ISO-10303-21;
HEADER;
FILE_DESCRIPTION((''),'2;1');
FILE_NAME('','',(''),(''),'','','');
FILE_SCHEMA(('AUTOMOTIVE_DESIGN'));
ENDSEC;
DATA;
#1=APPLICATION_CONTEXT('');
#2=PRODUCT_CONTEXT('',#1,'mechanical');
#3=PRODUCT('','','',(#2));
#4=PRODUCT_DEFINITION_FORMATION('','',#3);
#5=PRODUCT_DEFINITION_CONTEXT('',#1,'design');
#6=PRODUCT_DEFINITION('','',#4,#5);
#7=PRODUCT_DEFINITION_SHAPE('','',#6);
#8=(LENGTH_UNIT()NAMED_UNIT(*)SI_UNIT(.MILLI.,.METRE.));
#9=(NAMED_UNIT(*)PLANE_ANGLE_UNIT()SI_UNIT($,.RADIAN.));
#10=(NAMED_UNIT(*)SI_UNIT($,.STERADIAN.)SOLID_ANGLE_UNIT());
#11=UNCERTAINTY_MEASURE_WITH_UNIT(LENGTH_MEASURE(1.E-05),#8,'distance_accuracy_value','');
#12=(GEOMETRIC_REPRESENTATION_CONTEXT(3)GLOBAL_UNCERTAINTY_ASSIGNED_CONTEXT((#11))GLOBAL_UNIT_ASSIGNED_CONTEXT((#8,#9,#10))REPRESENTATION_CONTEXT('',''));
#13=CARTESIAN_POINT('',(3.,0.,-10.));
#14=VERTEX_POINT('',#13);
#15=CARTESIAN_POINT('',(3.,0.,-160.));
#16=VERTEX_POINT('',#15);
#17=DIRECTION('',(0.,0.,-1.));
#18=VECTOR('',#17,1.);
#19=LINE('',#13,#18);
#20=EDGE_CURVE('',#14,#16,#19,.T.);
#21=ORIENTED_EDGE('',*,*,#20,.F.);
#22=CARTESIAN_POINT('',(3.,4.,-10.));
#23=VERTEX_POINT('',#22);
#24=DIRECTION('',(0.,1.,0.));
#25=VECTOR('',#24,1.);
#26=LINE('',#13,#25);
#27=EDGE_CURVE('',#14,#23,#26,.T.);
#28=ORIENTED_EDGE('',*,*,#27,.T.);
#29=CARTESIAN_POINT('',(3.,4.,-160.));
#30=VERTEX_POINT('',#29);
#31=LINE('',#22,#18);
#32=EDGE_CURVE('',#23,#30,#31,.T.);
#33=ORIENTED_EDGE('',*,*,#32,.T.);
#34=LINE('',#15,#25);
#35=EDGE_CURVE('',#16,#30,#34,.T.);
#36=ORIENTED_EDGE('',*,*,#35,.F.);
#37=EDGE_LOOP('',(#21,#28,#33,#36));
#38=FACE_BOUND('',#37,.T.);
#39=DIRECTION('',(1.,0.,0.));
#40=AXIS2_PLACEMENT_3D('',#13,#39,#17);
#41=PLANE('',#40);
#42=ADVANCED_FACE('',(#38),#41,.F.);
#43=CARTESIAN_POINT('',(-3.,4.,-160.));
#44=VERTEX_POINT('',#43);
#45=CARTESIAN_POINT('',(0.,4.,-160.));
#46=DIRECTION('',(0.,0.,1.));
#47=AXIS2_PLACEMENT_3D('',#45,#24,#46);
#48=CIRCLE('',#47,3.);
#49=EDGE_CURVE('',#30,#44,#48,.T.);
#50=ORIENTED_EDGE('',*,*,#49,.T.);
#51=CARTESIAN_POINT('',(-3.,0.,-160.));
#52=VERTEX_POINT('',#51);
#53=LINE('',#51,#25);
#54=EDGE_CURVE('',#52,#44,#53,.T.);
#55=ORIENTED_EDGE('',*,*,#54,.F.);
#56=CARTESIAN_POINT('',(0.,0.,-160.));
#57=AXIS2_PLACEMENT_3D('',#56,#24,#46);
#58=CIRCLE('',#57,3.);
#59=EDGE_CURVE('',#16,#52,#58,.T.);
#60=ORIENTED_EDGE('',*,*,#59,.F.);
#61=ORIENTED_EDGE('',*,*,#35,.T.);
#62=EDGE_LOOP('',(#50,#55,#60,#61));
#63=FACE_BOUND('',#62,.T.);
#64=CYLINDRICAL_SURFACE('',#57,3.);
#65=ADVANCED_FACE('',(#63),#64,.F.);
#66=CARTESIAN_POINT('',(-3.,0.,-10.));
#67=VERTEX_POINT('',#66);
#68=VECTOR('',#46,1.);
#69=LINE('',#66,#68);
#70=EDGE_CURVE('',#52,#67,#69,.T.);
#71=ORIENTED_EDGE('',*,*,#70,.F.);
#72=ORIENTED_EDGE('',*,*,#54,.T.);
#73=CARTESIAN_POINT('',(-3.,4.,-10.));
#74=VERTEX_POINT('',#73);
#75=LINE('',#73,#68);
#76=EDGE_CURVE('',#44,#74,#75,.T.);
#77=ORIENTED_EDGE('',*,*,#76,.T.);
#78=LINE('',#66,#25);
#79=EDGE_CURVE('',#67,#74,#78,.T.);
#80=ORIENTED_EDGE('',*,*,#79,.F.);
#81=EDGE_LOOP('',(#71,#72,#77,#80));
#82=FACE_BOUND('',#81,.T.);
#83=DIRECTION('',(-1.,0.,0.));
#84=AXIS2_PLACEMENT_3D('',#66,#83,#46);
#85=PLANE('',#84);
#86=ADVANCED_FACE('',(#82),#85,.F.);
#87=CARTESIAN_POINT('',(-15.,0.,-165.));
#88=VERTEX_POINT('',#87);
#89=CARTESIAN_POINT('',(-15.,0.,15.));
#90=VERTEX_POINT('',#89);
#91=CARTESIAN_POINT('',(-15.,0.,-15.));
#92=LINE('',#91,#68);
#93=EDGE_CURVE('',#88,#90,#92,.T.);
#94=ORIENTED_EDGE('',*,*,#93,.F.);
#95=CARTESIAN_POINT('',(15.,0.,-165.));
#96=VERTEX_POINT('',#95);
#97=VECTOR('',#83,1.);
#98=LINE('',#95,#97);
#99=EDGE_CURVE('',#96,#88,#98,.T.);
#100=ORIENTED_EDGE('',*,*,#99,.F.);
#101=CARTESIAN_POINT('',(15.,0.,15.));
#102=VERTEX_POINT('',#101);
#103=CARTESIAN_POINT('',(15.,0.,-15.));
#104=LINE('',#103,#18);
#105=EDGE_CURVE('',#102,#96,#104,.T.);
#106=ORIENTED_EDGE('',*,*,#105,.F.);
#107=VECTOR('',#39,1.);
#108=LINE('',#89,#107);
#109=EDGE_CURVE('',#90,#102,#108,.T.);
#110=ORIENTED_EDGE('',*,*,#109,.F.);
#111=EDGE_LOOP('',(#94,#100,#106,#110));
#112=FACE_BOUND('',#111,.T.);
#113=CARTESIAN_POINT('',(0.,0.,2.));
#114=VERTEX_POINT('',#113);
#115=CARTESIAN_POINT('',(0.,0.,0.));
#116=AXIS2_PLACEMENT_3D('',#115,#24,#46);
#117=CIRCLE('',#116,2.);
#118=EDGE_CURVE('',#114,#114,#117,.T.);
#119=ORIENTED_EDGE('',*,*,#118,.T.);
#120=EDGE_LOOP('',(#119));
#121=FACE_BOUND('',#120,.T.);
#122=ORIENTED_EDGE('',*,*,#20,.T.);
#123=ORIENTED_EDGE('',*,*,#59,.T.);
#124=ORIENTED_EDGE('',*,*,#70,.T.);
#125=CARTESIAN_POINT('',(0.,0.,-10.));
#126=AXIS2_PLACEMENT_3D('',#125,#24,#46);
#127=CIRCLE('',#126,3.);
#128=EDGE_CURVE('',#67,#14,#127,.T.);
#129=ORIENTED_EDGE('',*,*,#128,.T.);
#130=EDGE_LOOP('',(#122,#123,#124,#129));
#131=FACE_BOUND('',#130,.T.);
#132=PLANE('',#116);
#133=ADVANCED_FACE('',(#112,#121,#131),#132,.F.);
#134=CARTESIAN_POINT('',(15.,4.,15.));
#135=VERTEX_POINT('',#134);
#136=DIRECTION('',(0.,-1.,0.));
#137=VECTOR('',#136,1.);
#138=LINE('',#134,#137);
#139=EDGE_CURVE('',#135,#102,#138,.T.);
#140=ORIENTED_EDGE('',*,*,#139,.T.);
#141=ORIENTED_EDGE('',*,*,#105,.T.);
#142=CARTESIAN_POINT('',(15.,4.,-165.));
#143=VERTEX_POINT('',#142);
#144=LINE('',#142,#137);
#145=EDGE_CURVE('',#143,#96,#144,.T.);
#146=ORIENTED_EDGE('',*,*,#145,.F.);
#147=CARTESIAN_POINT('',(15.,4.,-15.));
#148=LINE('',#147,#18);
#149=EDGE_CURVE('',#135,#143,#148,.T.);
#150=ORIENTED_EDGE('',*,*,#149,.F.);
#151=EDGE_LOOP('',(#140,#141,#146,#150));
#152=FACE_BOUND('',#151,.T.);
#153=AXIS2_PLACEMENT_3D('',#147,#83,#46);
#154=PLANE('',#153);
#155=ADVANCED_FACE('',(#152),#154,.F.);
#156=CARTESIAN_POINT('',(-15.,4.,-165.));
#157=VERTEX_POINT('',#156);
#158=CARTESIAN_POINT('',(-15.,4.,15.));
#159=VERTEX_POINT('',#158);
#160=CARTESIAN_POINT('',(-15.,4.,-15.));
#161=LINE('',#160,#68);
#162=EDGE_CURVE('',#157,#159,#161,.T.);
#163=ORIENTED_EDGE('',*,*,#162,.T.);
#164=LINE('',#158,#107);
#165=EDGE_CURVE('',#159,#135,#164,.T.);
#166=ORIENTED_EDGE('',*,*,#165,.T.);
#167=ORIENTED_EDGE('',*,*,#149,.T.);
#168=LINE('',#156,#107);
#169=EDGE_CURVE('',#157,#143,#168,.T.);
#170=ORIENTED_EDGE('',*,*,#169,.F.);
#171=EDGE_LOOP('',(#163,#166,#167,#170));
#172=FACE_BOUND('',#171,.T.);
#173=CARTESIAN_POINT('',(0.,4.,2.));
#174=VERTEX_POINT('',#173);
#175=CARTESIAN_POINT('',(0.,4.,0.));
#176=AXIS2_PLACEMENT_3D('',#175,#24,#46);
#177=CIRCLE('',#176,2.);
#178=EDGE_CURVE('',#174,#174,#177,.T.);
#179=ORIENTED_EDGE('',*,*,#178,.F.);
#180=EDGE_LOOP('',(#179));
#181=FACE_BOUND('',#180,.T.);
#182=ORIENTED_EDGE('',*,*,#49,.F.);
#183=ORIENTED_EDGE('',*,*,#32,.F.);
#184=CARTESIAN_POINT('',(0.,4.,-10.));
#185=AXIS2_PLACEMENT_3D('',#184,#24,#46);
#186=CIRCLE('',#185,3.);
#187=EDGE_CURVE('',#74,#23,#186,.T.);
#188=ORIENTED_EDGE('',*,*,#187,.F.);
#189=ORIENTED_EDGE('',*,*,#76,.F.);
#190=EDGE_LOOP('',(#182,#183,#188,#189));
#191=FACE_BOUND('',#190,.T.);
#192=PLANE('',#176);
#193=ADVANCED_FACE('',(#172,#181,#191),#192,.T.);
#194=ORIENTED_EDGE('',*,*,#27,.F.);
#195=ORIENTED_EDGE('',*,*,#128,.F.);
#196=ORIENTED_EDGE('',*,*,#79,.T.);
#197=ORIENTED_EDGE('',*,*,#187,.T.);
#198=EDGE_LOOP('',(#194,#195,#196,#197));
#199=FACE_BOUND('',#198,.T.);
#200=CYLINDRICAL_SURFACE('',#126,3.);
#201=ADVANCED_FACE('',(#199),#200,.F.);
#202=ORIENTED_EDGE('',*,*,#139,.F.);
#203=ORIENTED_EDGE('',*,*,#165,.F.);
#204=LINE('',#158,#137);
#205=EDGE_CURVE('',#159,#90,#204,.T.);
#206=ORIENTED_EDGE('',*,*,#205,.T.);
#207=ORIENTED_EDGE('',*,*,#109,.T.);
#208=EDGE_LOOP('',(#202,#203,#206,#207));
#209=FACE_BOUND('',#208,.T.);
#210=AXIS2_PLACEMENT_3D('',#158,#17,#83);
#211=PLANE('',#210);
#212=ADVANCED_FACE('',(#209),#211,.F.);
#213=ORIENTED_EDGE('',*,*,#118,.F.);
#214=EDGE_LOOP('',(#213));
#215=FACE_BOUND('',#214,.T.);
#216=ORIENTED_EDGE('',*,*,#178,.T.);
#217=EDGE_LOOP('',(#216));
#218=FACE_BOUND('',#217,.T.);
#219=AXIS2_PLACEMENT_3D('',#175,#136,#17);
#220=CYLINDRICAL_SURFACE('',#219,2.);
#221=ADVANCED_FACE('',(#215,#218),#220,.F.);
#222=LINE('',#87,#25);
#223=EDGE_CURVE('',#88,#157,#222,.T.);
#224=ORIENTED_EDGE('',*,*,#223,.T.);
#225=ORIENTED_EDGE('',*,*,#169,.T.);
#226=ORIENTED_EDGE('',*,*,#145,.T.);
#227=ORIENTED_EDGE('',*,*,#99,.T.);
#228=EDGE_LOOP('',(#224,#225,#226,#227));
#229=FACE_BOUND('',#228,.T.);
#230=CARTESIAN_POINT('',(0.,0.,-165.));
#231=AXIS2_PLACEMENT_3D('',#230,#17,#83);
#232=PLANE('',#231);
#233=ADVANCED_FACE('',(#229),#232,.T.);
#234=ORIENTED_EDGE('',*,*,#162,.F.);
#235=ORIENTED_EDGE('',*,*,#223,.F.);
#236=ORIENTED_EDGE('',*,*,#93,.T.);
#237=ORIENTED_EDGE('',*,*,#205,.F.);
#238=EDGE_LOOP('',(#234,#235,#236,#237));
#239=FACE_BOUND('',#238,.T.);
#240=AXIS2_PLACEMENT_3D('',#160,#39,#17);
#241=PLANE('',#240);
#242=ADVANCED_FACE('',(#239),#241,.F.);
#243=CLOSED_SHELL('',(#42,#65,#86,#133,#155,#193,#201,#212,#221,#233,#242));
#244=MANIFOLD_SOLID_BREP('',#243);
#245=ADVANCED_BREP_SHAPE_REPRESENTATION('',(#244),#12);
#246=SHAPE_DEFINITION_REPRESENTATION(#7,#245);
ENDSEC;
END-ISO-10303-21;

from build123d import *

# Parameters (mm, degrees)
SKETCH1_W           = 30
SKETCH1_H           = 30
SKETCH1_R           = 2
BOSS_EXTRUDE1_DEPTH = 4
SKETCH2_W           = 30
SKETCH2_H           = 4
BOSS_EXTRUDE2_DEPTH = 150
CUT_EXTRUDE1_DEPTH  = 166.728693955


with BuildPart() as part:
    # Sketch1 → Boss-Extrude1 (new body)
    with BuildSketch(Plane(origin=(0, 0, 0), x_dir=(1, 0, 0), z_dir=(0, 1, 0))):
        Rectangle(SKETCH1_W, SKETCH1_H)
        with Locations(Location((0, 0, 0), (0, 0, 270))):
            Circle(SKETCH1_R, mode=Mode.SUBTRACT)
    extrude(amount=BOSS_EXTRUDE1_DEPTH)

    # Sketch2 → Boss-Extrude2 (add)
    with BuildSketch(Plane(origin=(0, 0, -15), x_dir=(-1, 0, 0), z_dir=(0, 0, -1))):
        with Locations((0, 2)):
            Rectangle(SKETCH2_W, SKETCH2_H)
    extrude(amount=BOSS_EXTRUDE2_DEPTH)

    # Sketch3 → Cut-Extrude1 (cut, through all)
    with BuildSketch(Plane(origin=(0, 4, 0), x_dir=(1, 0, 0), z_dir=(0, 1, 0))):
        with BuildLine():
            Line((-3, 10), (-3, 160))
            ThreePointArc((-3, 160), (0, 163), (3, 160))
            Line((3, 160), (3, 10))
            ThreePointArc((3, 10), (0, 7), (-3, 10))
        make_face()
    extrude(amount=-CUT_EXTRUDE1_DEPTH, mode=Mode.SUBTRACT)


solid = part.part
